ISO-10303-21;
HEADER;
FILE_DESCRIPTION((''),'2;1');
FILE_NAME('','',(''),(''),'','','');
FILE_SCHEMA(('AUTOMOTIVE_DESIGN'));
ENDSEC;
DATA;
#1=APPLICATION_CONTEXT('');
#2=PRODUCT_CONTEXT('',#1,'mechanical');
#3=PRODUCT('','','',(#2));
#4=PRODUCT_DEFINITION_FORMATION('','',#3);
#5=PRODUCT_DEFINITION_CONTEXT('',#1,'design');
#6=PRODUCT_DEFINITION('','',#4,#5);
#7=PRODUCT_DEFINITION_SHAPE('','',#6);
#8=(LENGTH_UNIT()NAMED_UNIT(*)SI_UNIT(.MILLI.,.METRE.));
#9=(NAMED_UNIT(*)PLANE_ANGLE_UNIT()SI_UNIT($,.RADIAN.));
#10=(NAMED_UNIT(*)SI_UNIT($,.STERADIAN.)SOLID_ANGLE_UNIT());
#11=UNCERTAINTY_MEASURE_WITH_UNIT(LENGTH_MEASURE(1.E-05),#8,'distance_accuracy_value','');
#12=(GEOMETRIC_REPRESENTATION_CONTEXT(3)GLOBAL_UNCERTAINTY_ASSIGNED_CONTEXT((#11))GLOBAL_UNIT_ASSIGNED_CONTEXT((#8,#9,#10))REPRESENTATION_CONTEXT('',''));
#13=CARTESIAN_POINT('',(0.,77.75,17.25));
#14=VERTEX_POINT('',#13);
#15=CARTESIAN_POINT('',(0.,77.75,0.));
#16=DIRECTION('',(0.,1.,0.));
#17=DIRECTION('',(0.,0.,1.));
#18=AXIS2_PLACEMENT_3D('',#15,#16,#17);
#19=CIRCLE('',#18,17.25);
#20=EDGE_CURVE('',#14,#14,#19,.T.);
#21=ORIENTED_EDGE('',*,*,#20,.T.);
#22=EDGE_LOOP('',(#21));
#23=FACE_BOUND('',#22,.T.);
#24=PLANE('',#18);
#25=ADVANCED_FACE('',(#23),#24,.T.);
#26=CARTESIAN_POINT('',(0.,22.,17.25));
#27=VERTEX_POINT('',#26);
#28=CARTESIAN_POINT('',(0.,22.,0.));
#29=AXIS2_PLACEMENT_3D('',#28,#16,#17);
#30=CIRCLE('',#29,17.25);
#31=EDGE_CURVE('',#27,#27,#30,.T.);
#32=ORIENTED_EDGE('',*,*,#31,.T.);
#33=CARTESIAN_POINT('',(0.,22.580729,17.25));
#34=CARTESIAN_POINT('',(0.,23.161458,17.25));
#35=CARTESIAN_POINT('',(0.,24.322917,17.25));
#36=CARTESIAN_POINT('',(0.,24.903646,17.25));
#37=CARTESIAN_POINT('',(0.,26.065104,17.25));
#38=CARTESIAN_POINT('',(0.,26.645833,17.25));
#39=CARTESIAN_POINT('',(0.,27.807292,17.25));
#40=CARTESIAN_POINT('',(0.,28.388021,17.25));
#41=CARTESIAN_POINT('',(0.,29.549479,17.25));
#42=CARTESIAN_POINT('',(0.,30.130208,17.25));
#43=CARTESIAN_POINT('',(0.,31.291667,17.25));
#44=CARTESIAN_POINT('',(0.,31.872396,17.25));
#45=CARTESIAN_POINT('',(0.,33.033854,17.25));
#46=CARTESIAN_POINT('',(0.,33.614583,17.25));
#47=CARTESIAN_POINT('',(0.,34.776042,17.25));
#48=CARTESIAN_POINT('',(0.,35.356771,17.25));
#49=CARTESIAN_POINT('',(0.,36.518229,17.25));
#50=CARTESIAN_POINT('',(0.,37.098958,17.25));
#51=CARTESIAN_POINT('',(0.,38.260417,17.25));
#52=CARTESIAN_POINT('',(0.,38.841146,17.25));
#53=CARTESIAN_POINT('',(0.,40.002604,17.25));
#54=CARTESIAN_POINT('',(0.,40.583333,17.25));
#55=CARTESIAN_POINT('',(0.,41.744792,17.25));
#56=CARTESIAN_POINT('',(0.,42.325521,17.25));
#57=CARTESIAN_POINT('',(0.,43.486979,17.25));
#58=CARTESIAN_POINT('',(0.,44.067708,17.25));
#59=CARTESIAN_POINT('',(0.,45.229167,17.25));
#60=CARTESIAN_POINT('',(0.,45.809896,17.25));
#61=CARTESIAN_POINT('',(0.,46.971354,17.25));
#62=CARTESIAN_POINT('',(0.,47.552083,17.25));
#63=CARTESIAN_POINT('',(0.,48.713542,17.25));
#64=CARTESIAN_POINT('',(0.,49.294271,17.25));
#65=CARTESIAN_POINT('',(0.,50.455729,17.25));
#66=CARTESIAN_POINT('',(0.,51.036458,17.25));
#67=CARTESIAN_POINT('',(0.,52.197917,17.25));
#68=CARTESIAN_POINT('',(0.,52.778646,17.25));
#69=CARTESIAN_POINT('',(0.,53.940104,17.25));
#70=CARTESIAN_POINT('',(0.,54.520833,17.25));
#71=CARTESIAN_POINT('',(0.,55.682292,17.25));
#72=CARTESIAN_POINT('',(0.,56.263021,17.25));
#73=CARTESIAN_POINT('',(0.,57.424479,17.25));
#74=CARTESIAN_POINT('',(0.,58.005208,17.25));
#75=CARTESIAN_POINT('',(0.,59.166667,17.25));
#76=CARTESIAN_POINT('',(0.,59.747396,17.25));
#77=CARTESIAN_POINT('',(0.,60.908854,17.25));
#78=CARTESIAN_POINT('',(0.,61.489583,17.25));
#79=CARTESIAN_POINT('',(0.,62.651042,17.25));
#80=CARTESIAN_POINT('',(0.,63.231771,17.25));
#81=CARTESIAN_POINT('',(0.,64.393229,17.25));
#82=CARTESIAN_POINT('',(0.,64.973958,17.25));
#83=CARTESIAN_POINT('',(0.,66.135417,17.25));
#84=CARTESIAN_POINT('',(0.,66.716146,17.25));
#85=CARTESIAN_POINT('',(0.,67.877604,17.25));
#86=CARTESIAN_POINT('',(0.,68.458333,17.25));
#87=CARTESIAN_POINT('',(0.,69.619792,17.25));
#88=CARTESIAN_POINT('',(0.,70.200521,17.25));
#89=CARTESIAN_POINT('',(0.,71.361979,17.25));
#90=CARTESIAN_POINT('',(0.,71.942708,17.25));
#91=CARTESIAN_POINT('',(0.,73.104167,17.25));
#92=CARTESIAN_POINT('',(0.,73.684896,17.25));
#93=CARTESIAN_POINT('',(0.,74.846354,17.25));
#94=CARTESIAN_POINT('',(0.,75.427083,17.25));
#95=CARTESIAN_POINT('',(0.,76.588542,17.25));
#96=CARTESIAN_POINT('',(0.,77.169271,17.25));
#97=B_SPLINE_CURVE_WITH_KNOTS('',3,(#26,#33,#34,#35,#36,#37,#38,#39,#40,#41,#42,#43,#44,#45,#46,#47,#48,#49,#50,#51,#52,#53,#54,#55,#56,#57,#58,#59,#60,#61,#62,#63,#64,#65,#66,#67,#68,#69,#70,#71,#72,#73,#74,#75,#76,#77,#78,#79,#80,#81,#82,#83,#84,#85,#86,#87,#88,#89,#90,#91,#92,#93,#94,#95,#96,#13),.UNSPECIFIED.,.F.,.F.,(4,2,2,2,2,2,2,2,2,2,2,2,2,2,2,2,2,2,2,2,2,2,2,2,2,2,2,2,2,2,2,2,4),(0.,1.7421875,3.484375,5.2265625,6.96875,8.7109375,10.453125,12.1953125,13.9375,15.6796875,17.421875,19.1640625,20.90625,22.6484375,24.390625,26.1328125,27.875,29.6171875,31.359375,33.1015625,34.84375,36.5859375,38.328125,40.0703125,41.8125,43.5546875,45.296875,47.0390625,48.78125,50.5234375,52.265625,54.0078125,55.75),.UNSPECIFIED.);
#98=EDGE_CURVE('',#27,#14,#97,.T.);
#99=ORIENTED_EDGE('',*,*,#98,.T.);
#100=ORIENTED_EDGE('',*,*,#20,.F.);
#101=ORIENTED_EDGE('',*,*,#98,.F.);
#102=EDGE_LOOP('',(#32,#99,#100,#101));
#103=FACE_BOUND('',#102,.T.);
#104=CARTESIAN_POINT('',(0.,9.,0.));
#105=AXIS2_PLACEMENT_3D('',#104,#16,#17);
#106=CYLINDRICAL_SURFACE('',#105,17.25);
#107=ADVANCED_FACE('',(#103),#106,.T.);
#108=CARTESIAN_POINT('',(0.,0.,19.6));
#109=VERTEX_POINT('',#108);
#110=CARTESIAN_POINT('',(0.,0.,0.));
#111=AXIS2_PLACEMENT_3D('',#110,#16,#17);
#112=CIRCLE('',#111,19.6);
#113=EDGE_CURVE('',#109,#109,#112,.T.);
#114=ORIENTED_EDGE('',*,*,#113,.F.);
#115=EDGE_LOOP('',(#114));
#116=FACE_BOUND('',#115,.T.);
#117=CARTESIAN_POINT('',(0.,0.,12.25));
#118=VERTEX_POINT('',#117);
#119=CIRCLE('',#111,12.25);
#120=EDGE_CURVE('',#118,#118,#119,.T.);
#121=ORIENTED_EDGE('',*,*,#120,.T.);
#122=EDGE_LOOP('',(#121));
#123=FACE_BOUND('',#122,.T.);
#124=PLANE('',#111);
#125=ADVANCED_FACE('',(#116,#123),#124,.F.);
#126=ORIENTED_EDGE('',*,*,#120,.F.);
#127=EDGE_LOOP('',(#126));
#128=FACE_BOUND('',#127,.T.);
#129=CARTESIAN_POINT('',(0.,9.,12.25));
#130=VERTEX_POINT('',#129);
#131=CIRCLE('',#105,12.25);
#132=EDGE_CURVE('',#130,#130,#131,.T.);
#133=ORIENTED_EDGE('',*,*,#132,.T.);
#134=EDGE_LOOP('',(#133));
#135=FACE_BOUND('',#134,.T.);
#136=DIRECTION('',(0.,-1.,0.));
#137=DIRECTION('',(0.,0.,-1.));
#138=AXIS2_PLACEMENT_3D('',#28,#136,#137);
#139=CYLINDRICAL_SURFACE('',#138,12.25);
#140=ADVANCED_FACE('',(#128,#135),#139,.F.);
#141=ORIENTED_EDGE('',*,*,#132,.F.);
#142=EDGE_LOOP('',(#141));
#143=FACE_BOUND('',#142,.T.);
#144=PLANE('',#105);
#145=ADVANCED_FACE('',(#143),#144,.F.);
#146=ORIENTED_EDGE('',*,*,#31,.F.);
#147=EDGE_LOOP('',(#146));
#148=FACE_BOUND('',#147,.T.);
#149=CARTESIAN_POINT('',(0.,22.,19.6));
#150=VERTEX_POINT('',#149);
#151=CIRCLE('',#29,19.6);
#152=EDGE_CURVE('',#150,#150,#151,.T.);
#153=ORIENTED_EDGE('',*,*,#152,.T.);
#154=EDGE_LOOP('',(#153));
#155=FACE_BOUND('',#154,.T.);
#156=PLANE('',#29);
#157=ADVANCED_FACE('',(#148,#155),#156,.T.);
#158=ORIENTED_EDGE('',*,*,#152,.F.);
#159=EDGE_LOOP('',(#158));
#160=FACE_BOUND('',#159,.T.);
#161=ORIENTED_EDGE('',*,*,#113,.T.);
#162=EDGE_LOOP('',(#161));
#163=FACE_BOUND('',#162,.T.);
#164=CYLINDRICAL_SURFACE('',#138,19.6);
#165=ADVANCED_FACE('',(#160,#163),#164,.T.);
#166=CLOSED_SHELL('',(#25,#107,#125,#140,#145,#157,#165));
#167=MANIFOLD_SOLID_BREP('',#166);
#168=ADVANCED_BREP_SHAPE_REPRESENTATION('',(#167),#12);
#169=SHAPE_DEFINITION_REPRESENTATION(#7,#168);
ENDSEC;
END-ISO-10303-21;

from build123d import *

# Parameters (mm, degrees)
SKETCH2_R                = 19.6
SKETCH2_R_2              = 12.25
BOSS_EXTRUDE1_DEPTH      = 22
BOSS_EXTRUDE2_DEPTH      = 55.75
BOSS_EXTRUDE2_DEPTH_BACK = 13
SKETCH3_R                = 17.25


with BuildPart() as part:
    # Sketch2 → Boss-Extrude1 (new body)
    with BuildSketch(Plane(origin=(0, 0, 0), x_dir=(1, 0, 0), z_dir=(0, 1, 0))):
        with Locations(Location((0, 0, 0), (0, 0, 270))):
            Circle(SKETCH2_R)
        with Locations(Location((0, 0, 0), (0, 0, 270))):
            Circle(SKETCH2_R_2, mode=Mode.SUBTRACT)
    extrude(amount=BOSS_EXTRUDE1_DEPTH)

    # Sketch3 → Boss-Extrude2 (add, two sides: drawn at the far end of the back side and taken through both)
    with BuildSketch(Plane(origin=(0, 22, 0), x_dir=(1, 0, 0), z_dir=(0, 1, 0)).offset(-BOSS_EXTRUDE2_DEPTH_BACK)):
        with Locations(Location((0, 0, 0), (0, 0, 270))):
            Circle(SKETCH3_R)
    extrude(amount=BOSS_EXTRUDE2_DEPTH + BOSS_EXTRUDE2_DEPTH_BACK)


solid = part.part
